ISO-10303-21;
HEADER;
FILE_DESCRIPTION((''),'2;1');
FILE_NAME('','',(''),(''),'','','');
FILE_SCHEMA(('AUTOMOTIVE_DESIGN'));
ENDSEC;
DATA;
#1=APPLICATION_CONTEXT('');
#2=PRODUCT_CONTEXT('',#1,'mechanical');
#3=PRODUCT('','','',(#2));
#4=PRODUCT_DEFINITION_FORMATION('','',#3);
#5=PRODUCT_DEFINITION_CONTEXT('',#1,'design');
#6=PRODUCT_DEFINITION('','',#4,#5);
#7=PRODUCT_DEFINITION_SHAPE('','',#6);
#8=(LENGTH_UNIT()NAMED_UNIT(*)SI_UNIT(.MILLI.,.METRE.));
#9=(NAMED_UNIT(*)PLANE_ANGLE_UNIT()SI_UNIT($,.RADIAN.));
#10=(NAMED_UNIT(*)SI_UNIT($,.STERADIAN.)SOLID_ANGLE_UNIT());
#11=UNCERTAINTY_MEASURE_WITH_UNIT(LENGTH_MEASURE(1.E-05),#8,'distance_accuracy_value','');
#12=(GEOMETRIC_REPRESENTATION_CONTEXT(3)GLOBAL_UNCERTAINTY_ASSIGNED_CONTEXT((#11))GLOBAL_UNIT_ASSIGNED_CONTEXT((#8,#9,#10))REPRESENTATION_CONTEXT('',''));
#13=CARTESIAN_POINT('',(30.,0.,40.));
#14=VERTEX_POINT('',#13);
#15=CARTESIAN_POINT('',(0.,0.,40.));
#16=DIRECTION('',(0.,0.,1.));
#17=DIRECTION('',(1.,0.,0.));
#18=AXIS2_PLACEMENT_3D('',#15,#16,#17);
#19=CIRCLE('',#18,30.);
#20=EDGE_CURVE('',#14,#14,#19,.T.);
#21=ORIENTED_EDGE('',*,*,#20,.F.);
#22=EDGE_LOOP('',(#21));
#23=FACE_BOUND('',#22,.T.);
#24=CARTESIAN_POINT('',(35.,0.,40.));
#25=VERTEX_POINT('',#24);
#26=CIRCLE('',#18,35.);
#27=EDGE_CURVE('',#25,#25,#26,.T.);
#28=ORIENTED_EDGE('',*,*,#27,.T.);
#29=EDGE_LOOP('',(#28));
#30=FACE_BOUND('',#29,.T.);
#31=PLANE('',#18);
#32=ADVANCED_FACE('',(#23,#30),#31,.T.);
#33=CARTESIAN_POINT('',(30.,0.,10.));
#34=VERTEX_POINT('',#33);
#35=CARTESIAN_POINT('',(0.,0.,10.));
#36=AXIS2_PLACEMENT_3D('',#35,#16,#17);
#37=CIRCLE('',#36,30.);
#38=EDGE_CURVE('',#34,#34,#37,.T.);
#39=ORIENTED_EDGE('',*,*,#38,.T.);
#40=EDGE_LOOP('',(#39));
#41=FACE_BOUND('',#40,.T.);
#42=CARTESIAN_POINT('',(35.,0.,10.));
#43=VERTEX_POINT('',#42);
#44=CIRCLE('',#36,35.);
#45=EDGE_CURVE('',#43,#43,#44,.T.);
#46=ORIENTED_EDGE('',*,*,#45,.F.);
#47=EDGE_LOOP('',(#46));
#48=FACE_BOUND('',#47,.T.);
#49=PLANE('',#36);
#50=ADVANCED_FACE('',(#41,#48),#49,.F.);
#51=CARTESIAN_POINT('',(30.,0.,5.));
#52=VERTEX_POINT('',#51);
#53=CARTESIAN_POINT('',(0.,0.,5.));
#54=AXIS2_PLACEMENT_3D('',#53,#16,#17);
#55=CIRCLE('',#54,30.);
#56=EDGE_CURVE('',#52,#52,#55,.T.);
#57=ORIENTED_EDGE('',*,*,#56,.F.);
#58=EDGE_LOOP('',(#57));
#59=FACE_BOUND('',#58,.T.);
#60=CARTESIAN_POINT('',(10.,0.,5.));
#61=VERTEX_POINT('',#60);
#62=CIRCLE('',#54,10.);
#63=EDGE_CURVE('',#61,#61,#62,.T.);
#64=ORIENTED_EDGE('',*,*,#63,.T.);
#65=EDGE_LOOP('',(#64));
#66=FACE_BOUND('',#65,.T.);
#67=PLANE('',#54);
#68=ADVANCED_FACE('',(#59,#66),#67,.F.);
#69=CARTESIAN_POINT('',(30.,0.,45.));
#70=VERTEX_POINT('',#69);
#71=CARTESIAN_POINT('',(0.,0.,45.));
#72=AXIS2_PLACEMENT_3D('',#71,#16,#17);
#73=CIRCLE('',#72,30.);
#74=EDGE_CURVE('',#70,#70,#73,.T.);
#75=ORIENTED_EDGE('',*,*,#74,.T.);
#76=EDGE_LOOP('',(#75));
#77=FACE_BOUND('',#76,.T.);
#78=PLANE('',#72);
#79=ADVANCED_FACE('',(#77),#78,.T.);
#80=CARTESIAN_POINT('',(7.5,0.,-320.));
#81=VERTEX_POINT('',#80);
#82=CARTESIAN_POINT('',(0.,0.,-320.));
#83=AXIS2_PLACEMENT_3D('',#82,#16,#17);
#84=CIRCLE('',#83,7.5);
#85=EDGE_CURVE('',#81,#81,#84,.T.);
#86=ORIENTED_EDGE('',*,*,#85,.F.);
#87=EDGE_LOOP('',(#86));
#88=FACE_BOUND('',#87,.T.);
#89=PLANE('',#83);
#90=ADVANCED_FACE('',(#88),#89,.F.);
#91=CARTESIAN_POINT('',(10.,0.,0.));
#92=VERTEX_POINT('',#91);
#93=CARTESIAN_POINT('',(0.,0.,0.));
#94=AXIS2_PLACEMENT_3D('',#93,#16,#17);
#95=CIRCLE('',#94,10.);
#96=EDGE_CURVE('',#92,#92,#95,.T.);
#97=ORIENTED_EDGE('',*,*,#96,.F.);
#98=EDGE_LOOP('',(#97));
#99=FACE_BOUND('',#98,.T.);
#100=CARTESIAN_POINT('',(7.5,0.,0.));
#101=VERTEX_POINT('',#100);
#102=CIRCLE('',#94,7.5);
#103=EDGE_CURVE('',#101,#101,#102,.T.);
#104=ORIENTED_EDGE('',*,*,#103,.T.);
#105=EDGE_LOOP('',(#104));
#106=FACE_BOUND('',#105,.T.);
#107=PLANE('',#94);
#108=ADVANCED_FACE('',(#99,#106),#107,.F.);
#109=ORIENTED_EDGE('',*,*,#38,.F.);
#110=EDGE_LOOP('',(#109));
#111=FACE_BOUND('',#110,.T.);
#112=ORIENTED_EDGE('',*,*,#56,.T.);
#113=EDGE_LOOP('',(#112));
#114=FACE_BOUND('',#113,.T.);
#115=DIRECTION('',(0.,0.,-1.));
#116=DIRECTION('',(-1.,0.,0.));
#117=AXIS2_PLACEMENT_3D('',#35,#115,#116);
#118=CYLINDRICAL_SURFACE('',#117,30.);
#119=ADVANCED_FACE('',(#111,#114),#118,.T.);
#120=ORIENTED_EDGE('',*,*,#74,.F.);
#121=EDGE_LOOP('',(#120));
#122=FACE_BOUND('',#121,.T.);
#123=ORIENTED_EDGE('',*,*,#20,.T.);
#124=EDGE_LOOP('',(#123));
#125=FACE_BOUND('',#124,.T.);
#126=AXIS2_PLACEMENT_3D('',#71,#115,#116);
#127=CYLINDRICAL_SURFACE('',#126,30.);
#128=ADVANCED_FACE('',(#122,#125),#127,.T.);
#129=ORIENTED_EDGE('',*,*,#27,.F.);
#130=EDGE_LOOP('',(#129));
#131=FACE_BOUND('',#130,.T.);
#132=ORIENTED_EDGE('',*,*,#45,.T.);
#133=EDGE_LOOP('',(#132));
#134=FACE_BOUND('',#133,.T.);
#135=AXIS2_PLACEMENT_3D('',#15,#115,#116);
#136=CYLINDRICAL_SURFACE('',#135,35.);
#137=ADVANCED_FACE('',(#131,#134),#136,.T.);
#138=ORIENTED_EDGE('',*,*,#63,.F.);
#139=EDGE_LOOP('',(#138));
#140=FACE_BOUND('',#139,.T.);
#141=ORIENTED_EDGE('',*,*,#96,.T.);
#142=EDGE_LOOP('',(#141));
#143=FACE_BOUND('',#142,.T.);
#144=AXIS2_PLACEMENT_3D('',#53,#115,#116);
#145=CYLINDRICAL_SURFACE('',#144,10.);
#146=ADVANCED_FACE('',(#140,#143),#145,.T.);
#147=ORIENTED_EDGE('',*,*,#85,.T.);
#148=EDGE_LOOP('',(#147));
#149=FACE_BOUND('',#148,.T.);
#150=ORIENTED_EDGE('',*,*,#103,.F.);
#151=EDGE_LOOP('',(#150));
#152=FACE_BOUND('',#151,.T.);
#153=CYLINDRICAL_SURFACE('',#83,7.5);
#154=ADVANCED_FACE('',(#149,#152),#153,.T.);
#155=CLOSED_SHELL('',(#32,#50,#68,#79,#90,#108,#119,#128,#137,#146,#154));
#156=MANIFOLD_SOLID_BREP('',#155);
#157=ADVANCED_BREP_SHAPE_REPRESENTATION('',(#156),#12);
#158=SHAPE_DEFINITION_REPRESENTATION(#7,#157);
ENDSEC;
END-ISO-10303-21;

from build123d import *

# Parameters (mm, degrees)
SKETCH1_R           = 7.5
BOSS_EXTRUDE1_DEPTH = 320
SKETCH2_R           = 10
BOSS_EXTRUDE2_DEPTH = 5
SKETCH3_R           = 30
BOSS_EXTRUDE3_DEPTH = 5
SKETCH4_R           = 35
SKETCH4_R_2         = 30
BOSS_EXTRUDE4_DEPTH = 30
SKETCH5_R           = 30
BOSS_EXTRUDE5_DEPTH = 5


with BuildPart() as part:
    # Sketch1 → Boss-Extrude1 (new body)
    with BuildSketch(Plane.XY):
        Circle(SKETCH1_R)
    extrude(amount=-BOSS_EXTRUDE1_DEPTH)

    # Sketch2 → Boss-Extrude2 (add)
    with BuildSketch(Plane.XY):
        Circle(SKETCH2_R)
    extrude(amount=BOSS_EXTRUDE2_DEPTH)

    # Sketch3 → Boss-Extrude3 (add)
    with BuildSketch(Plane.XY.offset(5)):
        Circle(SKETCH3_R)
    extrude(amount=BOSS_EXTRUDE3_DEPTH)

    # Sketch4 → Boss-Extrude4 (add)
    # profile 1 of 2: a face of its own
    with BuildSketch(Plane.XY.offset(10)):
        Circle(SKETCH4_R)
        Circle(SKETCH4_R_2, mode=Mode.SUBTRACT)
    # profile 2 of 2: a face of its own
    with BuildSketch(Plane.XY.offset(10)):
        Circle(SKETCH4_R_2)
    extrude(amount=BOSS_EXTRUDE4_DEPTH)

    # Sketch5 → Boss-Extrude5 (add)
    with BuildSketch(Plane.XY.offset(40)):
        Circle(SKETCH5_R)
    extrude(amount=BOSS_EXTRUDE5_DEPTH)


solid = part.part
